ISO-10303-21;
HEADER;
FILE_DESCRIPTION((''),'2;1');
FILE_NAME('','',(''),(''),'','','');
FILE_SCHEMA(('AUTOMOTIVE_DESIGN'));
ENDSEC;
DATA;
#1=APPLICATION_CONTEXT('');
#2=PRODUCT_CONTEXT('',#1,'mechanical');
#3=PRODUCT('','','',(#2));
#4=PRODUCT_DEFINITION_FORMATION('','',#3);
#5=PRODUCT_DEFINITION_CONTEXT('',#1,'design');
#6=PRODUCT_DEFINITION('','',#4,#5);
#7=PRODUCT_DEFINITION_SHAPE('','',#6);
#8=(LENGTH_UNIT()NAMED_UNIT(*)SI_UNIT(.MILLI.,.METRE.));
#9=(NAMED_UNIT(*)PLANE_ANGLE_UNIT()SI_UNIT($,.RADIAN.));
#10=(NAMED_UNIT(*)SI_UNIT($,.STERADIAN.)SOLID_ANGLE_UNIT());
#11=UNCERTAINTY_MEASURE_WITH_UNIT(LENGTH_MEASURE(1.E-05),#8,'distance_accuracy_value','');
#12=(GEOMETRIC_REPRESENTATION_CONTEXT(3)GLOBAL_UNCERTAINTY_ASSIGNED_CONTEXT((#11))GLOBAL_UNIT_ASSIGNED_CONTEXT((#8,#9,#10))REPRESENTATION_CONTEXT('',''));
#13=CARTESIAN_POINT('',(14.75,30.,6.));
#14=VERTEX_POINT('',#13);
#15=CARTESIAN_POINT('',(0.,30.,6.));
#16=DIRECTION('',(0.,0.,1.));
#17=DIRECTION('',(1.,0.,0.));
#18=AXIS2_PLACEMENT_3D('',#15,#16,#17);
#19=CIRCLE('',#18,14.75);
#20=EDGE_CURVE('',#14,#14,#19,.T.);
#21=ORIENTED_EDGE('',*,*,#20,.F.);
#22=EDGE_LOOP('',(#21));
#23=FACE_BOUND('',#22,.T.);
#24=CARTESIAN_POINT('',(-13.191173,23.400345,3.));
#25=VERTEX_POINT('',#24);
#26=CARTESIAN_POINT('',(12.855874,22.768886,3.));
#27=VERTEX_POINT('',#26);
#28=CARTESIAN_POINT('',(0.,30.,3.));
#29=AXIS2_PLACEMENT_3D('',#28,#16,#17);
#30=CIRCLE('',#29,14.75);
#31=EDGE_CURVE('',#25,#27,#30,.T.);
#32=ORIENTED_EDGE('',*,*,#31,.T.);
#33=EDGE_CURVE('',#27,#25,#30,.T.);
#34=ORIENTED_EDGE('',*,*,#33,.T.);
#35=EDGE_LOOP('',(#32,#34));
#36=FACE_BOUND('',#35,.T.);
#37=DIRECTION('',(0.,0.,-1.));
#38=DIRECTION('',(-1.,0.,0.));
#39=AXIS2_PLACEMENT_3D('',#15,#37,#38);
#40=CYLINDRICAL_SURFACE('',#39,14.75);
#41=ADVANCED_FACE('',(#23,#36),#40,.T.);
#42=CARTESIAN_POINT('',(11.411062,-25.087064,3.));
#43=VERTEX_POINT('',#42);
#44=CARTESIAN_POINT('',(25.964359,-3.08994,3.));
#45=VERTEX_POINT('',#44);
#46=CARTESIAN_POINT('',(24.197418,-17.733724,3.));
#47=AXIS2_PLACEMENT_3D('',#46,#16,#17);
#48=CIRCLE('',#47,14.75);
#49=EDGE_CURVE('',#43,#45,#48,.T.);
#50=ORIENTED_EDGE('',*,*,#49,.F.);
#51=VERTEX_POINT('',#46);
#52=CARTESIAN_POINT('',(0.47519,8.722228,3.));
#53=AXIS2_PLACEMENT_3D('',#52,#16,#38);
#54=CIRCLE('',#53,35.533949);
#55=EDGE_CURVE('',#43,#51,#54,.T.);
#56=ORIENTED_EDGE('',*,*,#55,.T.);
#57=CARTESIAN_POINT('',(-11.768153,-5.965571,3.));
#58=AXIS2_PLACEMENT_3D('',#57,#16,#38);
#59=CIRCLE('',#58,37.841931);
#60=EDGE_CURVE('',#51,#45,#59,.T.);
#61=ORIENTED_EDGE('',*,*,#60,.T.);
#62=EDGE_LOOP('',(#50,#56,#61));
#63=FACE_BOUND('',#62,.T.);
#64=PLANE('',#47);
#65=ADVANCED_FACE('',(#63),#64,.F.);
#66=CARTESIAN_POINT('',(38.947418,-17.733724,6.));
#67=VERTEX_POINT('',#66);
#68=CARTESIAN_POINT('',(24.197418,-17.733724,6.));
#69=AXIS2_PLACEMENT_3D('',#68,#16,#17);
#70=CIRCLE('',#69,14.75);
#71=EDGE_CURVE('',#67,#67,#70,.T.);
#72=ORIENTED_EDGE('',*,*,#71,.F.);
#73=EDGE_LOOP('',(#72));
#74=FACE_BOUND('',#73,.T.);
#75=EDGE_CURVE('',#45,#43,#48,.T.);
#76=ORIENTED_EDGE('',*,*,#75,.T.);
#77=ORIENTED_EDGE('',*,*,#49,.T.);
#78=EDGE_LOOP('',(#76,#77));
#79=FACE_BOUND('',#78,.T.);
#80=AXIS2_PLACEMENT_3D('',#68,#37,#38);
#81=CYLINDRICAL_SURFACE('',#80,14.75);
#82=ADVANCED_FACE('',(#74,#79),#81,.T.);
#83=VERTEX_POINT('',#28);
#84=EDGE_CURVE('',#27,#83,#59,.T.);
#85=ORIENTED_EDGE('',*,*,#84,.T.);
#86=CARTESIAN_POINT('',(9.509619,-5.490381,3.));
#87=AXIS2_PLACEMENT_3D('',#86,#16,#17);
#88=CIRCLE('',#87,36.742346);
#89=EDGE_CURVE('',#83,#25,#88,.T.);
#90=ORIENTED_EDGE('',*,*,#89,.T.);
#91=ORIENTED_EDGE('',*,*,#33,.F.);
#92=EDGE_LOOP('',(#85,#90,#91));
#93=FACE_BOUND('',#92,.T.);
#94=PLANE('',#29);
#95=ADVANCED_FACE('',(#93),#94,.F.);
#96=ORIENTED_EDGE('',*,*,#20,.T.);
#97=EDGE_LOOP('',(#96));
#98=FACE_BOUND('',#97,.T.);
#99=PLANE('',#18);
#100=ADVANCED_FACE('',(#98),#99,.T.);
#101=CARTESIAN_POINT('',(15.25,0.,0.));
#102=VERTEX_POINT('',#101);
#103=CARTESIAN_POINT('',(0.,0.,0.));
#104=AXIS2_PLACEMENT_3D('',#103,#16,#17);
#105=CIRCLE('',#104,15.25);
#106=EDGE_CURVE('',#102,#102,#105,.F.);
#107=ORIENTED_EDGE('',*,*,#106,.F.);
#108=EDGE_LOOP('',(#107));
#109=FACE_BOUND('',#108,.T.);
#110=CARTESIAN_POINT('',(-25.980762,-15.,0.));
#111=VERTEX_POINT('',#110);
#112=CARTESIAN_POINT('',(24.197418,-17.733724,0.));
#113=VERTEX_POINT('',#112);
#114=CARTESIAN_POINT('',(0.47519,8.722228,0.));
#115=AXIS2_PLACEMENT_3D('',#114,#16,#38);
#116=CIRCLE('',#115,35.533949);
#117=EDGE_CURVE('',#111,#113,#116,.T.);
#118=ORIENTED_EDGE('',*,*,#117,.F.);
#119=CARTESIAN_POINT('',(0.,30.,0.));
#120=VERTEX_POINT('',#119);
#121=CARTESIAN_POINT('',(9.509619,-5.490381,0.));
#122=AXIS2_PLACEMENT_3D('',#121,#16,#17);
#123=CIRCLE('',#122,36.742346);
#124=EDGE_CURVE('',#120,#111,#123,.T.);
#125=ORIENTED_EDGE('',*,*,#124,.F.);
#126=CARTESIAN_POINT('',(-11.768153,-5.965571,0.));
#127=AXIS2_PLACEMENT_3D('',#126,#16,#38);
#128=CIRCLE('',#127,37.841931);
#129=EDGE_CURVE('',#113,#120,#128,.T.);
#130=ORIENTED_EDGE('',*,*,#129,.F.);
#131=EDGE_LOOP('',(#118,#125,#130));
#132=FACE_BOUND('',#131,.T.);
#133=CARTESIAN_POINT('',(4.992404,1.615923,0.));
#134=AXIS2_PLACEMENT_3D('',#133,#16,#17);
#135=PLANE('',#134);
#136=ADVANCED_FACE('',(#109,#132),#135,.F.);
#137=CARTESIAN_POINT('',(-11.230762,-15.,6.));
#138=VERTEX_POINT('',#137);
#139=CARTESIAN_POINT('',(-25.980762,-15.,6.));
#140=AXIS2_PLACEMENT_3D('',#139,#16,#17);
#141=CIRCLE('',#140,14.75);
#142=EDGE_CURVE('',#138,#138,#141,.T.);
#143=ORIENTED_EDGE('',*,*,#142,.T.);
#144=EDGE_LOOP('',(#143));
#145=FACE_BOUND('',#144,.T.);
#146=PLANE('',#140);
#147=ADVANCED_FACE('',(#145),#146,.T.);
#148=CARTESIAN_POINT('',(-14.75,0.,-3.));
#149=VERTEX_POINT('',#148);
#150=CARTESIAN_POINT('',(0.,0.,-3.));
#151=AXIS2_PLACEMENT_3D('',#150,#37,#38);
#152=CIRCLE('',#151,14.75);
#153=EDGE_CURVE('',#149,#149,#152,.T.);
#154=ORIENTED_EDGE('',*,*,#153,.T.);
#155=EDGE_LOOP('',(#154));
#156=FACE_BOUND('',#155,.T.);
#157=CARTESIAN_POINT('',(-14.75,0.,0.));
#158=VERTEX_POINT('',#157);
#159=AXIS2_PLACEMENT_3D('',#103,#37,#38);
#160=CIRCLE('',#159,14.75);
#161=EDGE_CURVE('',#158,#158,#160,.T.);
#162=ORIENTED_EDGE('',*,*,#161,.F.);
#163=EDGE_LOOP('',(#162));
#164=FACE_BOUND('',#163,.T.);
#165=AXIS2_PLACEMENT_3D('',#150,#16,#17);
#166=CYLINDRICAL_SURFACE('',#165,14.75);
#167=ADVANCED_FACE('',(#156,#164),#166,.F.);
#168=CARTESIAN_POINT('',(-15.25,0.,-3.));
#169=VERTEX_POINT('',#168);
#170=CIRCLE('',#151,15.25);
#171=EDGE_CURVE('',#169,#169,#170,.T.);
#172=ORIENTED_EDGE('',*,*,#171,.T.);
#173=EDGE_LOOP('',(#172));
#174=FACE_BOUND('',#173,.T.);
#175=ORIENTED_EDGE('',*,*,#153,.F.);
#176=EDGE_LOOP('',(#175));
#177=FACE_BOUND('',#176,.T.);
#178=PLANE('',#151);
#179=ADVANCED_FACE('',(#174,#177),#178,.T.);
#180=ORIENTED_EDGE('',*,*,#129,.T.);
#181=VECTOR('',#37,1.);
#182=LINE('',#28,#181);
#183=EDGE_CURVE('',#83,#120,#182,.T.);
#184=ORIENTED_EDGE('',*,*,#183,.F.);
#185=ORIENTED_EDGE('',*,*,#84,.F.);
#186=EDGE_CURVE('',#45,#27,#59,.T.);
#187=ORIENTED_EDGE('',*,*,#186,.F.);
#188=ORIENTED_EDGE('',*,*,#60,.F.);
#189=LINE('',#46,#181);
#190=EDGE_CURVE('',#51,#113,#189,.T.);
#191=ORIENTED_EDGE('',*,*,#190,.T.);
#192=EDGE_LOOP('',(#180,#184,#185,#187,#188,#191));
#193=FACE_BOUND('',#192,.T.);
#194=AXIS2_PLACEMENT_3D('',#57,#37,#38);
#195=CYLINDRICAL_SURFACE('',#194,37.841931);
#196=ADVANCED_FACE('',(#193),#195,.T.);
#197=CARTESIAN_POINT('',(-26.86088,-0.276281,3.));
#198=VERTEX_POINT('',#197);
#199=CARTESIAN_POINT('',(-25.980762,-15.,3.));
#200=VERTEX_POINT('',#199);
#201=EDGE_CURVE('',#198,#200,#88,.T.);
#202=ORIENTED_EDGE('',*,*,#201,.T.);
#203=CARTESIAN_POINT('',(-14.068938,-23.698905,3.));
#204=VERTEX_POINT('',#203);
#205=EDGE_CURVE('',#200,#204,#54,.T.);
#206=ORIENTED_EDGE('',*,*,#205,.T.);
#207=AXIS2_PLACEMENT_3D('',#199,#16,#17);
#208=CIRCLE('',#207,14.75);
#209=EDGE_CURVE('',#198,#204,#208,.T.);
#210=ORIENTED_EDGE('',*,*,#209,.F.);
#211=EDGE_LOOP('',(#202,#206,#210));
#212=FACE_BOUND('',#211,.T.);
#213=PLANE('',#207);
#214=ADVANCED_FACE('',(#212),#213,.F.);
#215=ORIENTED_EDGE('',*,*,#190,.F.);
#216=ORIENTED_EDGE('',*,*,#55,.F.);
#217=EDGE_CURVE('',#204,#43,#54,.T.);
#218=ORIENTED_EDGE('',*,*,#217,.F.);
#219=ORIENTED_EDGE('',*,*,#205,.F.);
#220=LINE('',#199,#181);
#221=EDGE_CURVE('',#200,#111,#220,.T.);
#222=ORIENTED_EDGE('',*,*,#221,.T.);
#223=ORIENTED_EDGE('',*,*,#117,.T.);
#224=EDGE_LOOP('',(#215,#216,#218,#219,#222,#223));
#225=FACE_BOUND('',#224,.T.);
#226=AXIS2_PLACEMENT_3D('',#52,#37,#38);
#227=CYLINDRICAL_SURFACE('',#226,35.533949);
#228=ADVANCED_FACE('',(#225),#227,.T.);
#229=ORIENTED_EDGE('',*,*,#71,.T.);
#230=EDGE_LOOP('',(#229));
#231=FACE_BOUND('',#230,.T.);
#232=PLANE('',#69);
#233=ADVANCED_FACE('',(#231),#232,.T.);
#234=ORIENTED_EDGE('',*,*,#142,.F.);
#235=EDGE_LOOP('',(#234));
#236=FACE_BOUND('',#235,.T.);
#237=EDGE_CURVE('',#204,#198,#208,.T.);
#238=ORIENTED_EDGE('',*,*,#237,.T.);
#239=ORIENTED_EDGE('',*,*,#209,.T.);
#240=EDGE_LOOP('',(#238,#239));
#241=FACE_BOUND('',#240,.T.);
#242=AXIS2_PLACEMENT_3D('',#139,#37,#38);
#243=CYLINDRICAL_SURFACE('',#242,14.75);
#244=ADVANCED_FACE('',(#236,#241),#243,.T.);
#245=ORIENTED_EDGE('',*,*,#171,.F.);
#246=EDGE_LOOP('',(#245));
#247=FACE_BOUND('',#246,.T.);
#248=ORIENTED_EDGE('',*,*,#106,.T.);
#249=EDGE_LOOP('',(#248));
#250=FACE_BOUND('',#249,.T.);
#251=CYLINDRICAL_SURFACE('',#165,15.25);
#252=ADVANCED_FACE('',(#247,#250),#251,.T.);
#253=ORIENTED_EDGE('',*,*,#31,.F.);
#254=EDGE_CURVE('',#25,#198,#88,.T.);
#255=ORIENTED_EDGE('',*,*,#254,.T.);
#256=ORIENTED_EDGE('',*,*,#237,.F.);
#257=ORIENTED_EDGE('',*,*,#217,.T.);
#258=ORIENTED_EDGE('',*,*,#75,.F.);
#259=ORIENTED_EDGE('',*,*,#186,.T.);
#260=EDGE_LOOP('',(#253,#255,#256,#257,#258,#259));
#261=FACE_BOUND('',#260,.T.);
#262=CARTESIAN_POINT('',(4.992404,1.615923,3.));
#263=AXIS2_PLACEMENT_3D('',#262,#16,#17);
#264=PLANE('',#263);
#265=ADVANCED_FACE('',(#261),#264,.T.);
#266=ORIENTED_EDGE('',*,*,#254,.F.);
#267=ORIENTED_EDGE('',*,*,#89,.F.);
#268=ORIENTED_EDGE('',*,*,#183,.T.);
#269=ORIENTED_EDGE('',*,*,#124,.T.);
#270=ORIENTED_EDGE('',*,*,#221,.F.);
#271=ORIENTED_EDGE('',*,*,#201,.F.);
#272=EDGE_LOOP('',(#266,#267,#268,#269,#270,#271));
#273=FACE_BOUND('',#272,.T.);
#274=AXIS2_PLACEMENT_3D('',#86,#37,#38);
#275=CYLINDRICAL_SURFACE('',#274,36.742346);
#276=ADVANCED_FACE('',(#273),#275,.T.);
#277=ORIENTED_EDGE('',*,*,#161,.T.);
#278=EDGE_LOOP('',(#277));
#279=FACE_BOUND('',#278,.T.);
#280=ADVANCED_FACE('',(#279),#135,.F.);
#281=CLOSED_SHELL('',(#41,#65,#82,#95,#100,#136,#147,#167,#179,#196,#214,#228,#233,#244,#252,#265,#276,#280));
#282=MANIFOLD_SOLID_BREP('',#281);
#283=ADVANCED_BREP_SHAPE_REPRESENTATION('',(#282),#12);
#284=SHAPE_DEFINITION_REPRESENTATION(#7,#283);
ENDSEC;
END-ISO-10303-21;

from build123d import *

# Parameters (mm, degrees)
BOSS_EXTRUDE1_DEPTH = 3
SKETCH2_R           = 14.75
BOSS_EXTRUDE2_DEPTH = 3
SKETCH5_R           = 15.25
SKETCH5_R_2         = 14.75
BOSS_EXTRUDE3_DEPTH = 3


with BuildPart() as part:
    # Sketch1 → Boss-Extrude1 (new body)
    with BuildSketch(Plane.XY):
        with BuildLine():
            ThreePointArc((0, 30), (21.984686874, 11.144587301), (24.197417864, -17.733724051))
            ThreePointArc((24.197417864, -17.733724051), (-1.457844914, -26.759103366), (-25.980762114, -15))
            ThreePointArc((-25.980762114, -15), (-22.31018621, 12.880792014), (0, 30))
        make_face()
    extrude(amount=BOSS_EXTRUDE1_DEPTH)

    # Sketch2 → Boss-Extrude2 (add)
    with BuildSketch(Plane.XY.offset(3)):
        with Locations(Location((0, 30, 0), (0, 0, 206.579187248))):
            Circle(SKETCH2_R)
        with Locations(Location((24.197417864, -17.733724051, 0), (0, 0, 209.902892112))):
            Circle(SKETCH2_R)
        with Locations(Location((-25.980762114, -15, 0), (0, 0, 93.420812752))):
            Circle(SKETCH2_R)
    extrude(amount=BOSS_EXTRUDE2_DEPTH)

    # Sketch5 → Boss-Extrude3 (add)
    with BuildSketch(Plane(origin=(0, 0, 0), x_dir=(-1, 0, 0), z_dir=(0, 0, -1))):
        with Locations(Location((0, 0, 0), (0, 0, 180))):
            Circle(SKETCH5_R)
        Circle(SKETCH5_R_2, mode=Mode.SUBTRACT)
    extrude(amount=BOSS_EXTRUDE3_DEPTH)


solid = part.part
